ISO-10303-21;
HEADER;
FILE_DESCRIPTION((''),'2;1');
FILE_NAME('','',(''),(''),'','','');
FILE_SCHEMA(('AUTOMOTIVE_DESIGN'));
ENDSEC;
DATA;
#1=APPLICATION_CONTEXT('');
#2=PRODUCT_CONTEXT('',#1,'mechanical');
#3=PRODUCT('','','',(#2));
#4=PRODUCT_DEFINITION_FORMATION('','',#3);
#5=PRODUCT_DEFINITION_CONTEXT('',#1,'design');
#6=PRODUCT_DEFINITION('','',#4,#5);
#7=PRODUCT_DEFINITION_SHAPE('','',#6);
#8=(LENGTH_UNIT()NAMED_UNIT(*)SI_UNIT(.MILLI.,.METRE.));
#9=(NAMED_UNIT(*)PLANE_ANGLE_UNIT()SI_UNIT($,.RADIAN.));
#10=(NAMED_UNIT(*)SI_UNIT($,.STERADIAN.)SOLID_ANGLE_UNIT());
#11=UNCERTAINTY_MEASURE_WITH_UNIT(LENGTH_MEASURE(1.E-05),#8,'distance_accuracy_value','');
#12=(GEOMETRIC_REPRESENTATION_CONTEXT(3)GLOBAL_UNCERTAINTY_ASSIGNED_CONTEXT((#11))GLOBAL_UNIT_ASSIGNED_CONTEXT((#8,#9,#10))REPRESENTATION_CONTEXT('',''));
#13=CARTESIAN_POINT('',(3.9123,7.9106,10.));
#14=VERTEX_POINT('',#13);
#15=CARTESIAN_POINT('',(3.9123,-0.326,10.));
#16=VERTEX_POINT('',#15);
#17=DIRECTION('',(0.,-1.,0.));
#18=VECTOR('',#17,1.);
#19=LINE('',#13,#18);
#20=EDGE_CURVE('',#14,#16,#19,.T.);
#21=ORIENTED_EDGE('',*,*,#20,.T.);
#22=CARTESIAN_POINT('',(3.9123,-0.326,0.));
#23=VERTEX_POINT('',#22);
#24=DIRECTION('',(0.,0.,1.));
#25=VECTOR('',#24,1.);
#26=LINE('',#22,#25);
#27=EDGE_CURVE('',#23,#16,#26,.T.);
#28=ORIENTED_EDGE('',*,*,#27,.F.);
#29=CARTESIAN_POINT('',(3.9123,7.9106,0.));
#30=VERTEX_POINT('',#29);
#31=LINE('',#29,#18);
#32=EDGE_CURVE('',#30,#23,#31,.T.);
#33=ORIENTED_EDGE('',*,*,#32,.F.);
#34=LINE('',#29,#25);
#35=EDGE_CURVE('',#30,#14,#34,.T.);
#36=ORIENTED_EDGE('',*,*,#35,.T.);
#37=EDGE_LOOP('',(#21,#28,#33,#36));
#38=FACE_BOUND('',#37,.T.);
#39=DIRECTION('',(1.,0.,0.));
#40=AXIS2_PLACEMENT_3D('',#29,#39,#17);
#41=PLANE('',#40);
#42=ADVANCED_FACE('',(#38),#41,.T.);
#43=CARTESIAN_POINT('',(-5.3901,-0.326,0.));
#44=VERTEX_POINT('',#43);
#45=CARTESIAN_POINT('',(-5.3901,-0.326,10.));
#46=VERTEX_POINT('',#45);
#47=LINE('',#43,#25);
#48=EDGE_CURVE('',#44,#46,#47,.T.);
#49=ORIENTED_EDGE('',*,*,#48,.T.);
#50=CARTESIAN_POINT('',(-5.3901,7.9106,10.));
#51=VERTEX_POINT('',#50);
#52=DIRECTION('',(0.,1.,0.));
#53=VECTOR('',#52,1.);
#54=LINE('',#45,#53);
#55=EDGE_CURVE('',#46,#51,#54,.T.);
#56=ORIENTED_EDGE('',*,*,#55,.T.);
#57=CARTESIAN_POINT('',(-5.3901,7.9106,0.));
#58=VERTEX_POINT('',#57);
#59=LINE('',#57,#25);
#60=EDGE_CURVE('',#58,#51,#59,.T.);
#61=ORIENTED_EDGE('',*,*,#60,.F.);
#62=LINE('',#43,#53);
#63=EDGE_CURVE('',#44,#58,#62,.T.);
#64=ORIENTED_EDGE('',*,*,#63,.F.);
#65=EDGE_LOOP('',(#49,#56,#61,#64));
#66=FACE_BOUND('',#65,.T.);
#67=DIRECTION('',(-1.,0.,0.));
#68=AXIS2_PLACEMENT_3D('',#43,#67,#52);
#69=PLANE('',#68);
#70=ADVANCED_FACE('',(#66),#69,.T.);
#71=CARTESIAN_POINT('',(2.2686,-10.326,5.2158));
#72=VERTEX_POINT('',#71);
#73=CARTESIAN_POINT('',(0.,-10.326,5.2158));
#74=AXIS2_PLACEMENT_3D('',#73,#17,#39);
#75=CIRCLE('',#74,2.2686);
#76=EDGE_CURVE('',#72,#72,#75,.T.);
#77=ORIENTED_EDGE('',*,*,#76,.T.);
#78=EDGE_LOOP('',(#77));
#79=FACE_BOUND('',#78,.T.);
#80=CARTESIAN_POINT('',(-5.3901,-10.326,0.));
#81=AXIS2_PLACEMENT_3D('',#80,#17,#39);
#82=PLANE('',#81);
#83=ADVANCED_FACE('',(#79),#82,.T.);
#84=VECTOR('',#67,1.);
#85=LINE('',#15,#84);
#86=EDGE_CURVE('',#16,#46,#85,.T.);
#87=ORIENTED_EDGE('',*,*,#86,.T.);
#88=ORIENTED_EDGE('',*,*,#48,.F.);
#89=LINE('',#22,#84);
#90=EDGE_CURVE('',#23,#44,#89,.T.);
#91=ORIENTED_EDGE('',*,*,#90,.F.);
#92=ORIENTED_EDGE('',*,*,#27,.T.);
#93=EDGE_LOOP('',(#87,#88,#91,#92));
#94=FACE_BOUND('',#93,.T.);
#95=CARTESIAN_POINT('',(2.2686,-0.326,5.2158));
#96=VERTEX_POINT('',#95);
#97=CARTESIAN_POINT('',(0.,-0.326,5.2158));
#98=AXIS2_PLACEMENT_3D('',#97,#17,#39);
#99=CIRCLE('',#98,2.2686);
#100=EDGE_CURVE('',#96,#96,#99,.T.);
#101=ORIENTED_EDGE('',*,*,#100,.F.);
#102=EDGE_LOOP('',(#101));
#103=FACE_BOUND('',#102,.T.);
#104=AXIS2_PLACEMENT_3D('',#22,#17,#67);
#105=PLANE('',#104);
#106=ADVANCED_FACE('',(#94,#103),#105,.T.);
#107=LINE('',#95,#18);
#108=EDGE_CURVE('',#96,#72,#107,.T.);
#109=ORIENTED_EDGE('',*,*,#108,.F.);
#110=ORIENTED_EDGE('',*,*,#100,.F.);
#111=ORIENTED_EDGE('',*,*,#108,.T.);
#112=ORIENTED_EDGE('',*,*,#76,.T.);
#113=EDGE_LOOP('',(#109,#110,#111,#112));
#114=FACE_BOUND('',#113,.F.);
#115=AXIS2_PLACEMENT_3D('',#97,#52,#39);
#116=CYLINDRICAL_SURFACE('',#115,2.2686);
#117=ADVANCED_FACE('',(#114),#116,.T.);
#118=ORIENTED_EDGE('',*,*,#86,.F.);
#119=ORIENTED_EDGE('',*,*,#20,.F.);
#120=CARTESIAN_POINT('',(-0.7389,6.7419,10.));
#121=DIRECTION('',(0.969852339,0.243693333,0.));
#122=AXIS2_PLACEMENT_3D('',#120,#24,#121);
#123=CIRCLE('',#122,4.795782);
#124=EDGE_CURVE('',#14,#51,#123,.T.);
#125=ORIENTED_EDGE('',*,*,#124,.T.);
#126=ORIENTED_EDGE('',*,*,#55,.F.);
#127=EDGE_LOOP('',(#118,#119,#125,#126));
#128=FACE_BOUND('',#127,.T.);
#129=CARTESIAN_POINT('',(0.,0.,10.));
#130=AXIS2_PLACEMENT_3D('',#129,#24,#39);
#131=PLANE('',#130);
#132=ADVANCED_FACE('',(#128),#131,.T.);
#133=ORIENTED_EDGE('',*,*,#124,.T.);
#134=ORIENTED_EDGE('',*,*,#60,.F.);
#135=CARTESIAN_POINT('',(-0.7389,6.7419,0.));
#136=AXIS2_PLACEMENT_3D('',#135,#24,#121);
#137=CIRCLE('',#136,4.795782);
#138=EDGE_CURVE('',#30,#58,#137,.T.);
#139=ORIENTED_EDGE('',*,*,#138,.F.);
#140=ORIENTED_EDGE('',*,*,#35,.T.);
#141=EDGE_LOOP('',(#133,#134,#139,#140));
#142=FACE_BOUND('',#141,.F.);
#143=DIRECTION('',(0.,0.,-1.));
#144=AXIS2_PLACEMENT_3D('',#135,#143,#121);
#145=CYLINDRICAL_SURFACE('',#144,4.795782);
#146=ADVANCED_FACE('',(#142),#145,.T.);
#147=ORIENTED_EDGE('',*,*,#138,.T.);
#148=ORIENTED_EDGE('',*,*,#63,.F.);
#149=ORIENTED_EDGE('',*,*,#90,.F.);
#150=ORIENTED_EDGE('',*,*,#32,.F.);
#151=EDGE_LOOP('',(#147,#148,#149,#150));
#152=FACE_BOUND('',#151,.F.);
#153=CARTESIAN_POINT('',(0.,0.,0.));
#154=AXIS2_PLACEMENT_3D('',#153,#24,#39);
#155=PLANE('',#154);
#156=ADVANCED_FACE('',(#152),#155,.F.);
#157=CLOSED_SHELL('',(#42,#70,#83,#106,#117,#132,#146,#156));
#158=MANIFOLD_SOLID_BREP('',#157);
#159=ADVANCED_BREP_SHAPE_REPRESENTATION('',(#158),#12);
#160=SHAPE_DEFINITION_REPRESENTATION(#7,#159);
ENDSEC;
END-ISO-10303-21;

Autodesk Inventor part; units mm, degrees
ref_plane "YZ Plane" through (0, 0, 0) normal (1, 0, 0) x (0, 1, 0)
ref_plane "XZ Plane" through (0, 0, 0) normal (0, 1, 0) x (-1, 0, 0)
ref_plane "XY Plane" through (0, 0, 0) normal (0, 0, 1) x (1, 0, 0)
sketch "Sketch1" plane through (0, 0, 0) normal (0, 0, 1) x (1, 0, 0)
  arc A0 (3.9123, 7.9106) -> (-5.3901, 7.9106) centre (-0.7389, 6.7419) ccw
  line L0 (3.9123, 7.9106) -> (-5.3901, 7.9106)
  line L1 (-5.3901, 7.9106) -> (3.9123, 7.9106)
  line L2 (3.9123, 7.9106) -> (3.9123, -0.326)
  line L3 (3.9123, -0.326) -> (-5.3901, -0.326)
  line L4 (-5.3901, -0.326) -> (-5.3901, 7.9106)
  point P0 (0, 0)
extrude "Extrusion1" add sketch "Sketch1" along normal blind 10
sketch "Sketch2" plane through (-5.3901, -0.326, 0) normal (0, -1, 0) x (1, 0, 0)
  circle A0 centre (5.3901, 5.2158) radius 2.2686
  point P0 (5.3901, 0)
extrude "Extrusion2" add sketch "Sketch2" along normal blind 10
properties part number "led"
